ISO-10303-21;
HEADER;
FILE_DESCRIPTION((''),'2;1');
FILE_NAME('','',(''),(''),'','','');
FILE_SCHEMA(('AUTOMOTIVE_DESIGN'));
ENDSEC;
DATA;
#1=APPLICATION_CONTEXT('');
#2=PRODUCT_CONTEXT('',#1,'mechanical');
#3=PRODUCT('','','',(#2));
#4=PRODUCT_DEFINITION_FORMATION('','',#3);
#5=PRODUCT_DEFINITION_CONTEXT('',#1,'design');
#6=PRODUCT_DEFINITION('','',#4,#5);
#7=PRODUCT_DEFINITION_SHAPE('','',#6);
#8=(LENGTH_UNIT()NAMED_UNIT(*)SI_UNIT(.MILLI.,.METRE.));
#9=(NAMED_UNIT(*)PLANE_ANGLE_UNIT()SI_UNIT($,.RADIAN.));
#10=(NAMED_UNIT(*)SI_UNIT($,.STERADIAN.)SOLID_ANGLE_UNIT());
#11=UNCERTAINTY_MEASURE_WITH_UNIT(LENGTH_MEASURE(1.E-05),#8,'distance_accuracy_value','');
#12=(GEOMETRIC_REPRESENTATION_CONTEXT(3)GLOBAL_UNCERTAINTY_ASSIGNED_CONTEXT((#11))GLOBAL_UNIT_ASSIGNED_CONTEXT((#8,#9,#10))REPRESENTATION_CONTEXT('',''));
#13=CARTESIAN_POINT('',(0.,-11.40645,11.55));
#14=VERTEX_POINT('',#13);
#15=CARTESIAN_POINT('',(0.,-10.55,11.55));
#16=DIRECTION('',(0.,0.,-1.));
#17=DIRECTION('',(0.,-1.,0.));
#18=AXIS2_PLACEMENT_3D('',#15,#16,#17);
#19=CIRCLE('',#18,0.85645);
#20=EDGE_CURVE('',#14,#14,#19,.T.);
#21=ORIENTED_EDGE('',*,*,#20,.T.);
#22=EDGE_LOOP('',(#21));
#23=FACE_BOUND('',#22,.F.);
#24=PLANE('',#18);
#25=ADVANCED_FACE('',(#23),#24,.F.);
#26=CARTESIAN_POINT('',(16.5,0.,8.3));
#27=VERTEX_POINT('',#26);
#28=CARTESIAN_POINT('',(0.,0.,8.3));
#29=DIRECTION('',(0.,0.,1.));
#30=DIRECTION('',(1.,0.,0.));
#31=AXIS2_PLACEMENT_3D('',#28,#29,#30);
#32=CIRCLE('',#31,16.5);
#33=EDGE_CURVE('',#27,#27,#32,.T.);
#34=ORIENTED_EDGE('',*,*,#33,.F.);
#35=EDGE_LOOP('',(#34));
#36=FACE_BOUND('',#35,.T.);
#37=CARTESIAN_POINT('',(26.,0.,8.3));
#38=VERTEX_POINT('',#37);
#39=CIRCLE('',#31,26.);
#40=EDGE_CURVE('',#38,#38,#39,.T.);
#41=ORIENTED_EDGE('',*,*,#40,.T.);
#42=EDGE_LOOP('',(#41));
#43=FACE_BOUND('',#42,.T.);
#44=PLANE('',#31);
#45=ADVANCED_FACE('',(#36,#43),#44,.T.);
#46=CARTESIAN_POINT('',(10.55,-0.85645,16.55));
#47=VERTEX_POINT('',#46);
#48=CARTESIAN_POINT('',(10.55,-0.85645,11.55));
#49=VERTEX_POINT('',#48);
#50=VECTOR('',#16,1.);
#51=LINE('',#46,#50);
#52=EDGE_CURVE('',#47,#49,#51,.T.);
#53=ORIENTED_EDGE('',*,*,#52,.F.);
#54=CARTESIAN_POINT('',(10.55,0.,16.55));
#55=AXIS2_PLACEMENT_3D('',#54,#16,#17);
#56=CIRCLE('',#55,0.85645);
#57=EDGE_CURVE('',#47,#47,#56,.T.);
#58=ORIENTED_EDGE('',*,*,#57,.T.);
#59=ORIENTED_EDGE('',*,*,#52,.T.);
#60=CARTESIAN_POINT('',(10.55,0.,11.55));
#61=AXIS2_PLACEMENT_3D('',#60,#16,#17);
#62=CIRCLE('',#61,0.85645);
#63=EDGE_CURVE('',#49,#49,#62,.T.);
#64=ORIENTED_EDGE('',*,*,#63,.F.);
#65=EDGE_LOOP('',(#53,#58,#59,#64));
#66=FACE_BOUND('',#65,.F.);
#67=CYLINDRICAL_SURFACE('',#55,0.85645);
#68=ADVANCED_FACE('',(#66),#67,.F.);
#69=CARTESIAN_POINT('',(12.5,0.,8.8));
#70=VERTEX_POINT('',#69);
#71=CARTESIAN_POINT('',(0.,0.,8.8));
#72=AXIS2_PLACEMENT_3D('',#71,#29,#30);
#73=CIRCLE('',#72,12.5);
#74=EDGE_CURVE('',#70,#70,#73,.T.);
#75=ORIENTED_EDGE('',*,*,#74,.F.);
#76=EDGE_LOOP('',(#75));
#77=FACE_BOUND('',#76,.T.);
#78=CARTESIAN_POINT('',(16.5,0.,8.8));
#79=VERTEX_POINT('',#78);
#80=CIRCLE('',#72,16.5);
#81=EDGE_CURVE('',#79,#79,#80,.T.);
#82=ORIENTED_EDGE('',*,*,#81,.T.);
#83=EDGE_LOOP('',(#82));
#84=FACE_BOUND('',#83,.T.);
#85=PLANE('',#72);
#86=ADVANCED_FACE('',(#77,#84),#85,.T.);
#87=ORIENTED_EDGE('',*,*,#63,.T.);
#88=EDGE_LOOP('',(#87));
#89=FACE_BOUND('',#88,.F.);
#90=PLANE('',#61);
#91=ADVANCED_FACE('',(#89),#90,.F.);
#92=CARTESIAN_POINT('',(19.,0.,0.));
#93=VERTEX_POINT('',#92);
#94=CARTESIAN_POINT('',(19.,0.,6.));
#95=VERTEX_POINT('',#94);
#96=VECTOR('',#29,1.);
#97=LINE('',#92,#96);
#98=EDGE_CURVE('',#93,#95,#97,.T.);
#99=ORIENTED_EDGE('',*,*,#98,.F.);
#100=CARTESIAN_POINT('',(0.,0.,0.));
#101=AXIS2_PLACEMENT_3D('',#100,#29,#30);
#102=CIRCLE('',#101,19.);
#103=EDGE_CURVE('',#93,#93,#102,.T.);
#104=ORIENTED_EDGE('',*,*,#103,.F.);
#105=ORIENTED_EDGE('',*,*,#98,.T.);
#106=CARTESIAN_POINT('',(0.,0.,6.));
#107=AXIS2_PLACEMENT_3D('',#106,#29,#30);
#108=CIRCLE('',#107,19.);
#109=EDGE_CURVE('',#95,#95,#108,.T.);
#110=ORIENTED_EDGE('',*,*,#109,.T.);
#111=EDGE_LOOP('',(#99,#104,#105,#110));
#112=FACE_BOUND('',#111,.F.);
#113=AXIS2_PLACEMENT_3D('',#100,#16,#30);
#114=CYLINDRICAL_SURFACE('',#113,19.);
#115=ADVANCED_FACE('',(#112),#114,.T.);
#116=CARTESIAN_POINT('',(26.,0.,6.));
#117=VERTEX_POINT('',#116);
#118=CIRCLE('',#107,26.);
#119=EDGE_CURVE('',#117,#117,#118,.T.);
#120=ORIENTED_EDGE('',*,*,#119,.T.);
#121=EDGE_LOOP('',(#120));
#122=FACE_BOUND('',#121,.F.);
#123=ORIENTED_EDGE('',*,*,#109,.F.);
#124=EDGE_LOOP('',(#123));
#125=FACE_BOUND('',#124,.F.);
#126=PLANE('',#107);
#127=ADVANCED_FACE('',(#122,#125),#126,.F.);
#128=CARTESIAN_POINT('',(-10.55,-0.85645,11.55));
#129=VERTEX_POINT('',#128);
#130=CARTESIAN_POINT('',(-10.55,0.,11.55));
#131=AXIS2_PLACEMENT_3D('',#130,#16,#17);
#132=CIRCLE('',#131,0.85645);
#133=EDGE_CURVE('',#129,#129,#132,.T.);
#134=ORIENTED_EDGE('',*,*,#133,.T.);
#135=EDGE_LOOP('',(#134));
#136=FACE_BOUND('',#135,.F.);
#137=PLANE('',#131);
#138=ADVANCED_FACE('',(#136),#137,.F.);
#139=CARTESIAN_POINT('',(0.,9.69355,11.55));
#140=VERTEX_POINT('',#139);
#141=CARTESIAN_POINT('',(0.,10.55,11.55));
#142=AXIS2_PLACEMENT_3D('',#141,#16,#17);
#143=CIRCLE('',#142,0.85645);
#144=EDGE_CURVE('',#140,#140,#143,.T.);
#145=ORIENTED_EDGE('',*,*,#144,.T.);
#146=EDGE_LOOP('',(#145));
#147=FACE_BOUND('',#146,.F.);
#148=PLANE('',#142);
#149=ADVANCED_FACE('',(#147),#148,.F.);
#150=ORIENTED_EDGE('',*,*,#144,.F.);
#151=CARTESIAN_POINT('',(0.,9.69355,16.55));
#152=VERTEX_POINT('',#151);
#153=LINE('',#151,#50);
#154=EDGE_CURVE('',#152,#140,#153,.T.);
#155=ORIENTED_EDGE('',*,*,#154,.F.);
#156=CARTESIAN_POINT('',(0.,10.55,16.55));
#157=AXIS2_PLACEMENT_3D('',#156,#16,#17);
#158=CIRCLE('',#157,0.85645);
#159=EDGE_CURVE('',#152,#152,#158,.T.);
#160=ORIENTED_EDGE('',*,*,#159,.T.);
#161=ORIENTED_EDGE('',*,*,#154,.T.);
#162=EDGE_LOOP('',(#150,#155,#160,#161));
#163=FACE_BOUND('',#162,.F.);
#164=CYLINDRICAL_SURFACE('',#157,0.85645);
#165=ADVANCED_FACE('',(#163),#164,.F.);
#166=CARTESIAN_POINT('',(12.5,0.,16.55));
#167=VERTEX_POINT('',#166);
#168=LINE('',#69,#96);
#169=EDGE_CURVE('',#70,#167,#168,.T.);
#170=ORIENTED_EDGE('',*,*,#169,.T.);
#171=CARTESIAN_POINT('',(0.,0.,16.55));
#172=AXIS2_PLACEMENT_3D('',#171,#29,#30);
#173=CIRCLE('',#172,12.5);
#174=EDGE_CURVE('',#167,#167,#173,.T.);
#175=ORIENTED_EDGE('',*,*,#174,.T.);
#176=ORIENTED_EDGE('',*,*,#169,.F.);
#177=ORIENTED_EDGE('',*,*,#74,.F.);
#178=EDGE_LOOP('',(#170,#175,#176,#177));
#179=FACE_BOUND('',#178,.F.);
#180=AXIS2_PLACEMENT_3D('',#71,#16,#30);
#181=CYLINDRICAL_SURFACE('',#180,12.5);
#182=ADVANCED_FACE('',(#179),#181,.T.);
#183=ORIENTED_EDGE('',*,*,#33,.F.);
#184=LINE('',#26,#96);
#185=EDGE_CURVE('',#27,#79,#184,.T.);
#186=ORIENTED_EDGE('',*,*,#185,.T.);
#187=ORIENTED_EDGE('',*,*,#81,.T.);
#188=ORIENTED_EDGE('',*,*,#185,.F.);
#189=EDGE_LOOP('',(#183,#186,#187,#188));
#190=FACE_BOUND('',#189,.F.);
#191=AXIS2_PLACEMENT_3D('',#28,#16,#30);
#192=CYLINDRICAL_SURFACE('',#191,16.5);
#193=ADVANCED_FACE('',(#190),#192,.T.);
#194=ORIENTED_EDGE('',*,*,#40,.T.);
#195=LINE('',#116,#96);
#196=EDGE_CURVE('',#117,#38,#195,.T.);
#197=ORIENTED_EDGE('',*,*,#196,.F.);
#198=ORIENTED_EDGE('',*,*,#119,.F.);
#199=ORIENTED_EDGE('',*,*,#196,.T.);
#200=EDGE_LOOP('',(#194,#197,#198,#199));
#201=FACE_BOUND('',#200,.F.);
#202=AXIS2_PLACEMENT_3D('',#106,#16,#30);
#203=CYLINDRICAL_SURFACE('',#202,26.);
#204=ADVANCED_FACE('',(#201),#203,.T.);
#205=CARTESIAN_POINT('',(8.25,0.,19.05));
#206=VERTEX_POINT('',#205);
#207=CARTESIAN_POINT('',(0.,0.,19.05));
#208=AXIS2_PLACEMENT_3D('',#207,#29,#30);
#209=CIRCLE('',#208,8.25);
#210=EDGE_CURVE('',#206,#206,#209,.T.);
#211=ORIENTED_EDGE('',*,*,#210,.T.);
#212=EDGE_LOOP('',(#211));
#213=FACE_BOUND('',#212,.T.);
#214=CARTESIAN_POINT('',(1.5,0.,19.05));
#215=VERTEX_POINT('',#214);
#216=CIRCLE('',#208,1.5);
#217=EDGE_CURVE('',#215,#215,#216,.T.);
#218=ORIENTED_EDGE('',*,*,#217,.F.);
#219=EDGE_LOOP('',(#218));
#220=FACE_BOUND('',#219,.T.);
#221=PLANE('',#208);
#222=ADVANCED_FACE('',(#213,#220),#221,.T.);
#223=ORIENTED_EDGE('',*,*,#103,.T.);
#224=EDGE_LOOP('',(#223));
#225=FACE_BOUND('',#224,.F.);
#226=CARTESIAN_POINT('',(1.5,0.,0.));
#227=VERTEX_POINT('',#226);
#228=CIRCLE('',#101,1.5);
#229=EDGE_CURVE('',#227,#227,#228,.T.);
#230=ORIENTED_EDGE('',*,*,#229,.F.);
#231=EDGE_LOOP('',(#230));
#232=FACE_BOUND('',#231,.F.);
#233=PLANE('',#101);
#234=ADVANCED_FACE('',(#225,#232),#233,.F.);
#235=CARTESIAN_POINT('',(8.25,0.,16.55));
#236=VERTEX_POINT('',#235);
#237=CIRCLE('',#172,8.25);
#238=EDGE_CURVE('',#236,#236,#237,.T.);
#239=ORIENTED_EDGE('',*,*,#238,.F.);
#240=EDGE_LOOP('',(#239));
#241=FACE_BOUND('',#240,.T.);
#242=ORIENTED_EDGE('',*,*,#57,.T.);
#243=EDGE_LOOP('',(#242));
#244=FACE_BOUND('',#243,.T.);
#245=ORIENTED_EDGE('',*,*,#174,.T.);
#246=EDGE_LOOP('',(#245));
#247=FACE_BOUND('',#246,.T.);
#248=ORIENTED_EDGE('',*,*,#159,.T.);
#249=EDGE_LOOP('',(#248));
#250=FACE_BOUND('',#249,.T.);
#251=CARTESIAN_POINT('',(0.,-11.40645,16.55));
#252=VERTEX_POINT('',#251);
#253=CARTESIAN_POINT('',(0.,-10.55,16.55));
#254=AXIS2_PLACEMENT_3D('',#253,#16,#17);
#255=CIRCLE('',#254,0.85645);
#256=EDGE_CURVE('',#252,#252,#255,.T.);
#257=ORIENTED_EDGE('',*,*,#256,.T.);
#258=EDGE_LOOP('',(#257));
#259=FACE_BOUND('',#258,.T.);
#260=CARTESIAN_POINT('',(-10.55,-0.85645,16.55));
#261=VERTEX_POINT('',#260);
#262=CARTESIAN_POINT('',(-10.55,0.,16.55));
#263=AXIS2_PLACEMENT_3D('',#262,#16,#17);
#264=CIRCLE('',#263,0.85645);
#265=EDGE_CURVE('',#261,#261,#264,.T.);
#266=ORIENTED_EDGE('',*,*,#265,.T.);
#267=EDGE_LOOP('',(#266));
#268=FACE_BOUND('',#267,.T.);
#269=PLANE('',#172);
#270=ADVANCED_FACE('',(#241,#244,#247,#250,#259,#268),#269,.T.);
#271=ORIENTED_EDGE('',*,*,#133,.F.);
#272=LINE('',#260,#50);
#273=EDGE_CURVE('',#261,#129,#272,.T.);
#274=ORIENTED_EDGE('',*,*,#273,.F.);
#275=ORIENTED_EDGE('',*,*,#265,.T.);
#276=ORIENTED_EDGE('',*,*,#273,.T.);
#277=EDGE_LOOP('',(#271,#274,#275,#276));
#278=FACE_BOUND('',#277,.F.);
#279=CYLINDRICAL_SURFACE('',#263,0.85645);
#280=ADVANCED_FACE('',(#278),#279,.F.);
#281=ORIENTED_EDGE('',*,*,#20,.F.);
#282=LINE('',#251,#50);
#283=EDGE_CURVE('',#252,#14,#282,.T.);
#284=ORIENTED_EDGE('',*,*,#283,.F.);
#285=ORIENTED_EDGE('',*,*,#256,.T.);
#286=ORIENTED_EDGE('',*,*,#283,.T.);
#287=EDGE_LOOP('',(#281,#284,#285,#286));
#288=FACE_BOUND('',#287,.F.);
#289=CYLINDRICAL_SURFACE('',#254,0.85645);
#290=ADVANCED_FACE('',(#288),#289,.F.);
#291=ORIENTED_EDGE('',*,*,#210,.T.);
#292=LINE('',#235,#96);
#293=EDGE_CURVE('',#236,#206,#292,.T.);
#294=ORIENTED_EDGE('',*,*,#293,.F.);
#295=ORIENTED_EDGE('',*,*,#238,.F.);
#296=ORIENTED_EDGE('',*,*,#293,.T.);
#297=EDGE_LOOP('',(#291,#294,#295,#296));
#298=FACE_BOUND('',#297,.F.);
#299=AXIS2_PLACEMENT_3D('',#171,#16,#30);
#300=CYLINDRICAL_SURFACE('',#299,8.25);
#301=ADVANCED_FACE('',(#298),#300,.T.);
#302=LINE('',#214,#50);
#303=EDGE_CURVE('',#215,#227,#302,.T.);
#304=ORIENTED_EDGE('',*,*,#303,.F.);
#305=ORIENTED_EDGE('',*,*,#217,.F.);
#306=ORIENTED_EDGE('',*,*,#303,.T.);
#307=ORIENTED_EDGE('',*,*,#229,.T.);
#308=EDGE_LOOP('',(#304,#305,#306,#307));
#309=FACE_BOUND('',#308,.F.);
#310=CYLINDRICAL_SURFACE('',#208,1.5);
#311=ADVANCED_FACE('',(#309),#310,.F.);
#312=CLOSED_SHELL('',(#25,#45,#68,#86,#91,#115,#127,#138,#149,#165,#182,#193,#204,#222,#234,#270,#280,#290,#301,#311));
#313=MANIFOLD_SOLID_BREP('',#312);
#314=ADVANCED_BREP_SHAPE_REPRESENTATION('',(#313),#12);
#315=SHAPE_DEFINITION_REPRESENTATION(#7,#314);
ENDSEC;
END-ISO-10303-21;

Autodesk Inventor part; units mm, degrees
ref_plane "YZ Plane" through (0, 0, 0) normal (1, 0, 0) x (0, 1, 0)
ref_plane "XZ Plane" through (0, 0, 0) normal (0, 1, 0) x (-1, 0, 0)
ref_plane "XY Plane" through (0, 0, 0) normal (0, 0, 1) x (1, 0, 0)
sketch "Sketch1" plane through (0, 0, 0) normal (0, 0, 1) x (1, 0, 0)
  circle A0 centre (0, 0) radius 19
  dimension "d0" = 38
extrude "Extrusion1" add sketch "Sketch1" along normal blind 6
sketch "Sketch2" plane through (0, 0, 6) normal (0, 0, 1) x (1, 0, 0)
  circle A0 centre (0, 0) radius 26
  dimension "d3" = 52
extrude "Extrusion2" add sketch "Sketch2" along normal blind 2.3
sketch "Sketch3" plane through (0, 0, 8.3) normal (0, 0, 1) x (1, 0, 0)
  circle A0 centre (0, 0) radius 16.5
  dimension "d6" = 33
extrude "Extrusion3" add sketch "Sketch3" along normal blind 0.5
sketch "Sketch4" plane through (0, 0, 8.8) normal (0, 0, 1) x (1, 0, 0)
  circle A0 centre (0, 0) radius 12.5
  dimension "d9" = 25
extrude "Extrusion4" add sketch "Sketch4" along normal blind 7.75
sketch "Sketch5" plane through (0, 0, 16.55) normal (0, 0, 1) x (1, 0, 0)
  circle A0 centre (0, 0) radius 8.25
  dimension "d12" = 16.5
extrude "Extrusion5" add sketch "Sketch5" along normal blind 2.5
sketch "Sketch6" plane through (0, 0, 16.55) normal (0, 0, 1) x (1, 0, 0)
  line L0 (0, -36.4) -> (0, 36.4) projected
  point P0 (0, 0)
  point P1 (0, 10.55)
  point P2 (-10.55, 0)
  point P3 (0, -10.55)
  point P4 (10.55, 0)
  dimension "d15" = 10.55
  dimension "d18" = 360
hole "Hole1" at (0, 10.55, 16.55) at (-10.55, 0, 16.55) at (0, -10.55, 16.55) at (10.55, 0, 16.55) direction (0, 0, -1) diameter 1.7129 depth 5 thread size "M2.2x0.45" class "6H" standard "ANSI Metric M Profile"
sketch "Sketch7" plane through (0, 0, 19.05) normal (0, 0, 1) x (1, 0, 0)
  circle A0 centre (0, 0) radius 1.5
  dimension "d27" = 3
extrude "Extrusion6" cut sketch "Sketch7" against normal through all
properties part number "motor"
